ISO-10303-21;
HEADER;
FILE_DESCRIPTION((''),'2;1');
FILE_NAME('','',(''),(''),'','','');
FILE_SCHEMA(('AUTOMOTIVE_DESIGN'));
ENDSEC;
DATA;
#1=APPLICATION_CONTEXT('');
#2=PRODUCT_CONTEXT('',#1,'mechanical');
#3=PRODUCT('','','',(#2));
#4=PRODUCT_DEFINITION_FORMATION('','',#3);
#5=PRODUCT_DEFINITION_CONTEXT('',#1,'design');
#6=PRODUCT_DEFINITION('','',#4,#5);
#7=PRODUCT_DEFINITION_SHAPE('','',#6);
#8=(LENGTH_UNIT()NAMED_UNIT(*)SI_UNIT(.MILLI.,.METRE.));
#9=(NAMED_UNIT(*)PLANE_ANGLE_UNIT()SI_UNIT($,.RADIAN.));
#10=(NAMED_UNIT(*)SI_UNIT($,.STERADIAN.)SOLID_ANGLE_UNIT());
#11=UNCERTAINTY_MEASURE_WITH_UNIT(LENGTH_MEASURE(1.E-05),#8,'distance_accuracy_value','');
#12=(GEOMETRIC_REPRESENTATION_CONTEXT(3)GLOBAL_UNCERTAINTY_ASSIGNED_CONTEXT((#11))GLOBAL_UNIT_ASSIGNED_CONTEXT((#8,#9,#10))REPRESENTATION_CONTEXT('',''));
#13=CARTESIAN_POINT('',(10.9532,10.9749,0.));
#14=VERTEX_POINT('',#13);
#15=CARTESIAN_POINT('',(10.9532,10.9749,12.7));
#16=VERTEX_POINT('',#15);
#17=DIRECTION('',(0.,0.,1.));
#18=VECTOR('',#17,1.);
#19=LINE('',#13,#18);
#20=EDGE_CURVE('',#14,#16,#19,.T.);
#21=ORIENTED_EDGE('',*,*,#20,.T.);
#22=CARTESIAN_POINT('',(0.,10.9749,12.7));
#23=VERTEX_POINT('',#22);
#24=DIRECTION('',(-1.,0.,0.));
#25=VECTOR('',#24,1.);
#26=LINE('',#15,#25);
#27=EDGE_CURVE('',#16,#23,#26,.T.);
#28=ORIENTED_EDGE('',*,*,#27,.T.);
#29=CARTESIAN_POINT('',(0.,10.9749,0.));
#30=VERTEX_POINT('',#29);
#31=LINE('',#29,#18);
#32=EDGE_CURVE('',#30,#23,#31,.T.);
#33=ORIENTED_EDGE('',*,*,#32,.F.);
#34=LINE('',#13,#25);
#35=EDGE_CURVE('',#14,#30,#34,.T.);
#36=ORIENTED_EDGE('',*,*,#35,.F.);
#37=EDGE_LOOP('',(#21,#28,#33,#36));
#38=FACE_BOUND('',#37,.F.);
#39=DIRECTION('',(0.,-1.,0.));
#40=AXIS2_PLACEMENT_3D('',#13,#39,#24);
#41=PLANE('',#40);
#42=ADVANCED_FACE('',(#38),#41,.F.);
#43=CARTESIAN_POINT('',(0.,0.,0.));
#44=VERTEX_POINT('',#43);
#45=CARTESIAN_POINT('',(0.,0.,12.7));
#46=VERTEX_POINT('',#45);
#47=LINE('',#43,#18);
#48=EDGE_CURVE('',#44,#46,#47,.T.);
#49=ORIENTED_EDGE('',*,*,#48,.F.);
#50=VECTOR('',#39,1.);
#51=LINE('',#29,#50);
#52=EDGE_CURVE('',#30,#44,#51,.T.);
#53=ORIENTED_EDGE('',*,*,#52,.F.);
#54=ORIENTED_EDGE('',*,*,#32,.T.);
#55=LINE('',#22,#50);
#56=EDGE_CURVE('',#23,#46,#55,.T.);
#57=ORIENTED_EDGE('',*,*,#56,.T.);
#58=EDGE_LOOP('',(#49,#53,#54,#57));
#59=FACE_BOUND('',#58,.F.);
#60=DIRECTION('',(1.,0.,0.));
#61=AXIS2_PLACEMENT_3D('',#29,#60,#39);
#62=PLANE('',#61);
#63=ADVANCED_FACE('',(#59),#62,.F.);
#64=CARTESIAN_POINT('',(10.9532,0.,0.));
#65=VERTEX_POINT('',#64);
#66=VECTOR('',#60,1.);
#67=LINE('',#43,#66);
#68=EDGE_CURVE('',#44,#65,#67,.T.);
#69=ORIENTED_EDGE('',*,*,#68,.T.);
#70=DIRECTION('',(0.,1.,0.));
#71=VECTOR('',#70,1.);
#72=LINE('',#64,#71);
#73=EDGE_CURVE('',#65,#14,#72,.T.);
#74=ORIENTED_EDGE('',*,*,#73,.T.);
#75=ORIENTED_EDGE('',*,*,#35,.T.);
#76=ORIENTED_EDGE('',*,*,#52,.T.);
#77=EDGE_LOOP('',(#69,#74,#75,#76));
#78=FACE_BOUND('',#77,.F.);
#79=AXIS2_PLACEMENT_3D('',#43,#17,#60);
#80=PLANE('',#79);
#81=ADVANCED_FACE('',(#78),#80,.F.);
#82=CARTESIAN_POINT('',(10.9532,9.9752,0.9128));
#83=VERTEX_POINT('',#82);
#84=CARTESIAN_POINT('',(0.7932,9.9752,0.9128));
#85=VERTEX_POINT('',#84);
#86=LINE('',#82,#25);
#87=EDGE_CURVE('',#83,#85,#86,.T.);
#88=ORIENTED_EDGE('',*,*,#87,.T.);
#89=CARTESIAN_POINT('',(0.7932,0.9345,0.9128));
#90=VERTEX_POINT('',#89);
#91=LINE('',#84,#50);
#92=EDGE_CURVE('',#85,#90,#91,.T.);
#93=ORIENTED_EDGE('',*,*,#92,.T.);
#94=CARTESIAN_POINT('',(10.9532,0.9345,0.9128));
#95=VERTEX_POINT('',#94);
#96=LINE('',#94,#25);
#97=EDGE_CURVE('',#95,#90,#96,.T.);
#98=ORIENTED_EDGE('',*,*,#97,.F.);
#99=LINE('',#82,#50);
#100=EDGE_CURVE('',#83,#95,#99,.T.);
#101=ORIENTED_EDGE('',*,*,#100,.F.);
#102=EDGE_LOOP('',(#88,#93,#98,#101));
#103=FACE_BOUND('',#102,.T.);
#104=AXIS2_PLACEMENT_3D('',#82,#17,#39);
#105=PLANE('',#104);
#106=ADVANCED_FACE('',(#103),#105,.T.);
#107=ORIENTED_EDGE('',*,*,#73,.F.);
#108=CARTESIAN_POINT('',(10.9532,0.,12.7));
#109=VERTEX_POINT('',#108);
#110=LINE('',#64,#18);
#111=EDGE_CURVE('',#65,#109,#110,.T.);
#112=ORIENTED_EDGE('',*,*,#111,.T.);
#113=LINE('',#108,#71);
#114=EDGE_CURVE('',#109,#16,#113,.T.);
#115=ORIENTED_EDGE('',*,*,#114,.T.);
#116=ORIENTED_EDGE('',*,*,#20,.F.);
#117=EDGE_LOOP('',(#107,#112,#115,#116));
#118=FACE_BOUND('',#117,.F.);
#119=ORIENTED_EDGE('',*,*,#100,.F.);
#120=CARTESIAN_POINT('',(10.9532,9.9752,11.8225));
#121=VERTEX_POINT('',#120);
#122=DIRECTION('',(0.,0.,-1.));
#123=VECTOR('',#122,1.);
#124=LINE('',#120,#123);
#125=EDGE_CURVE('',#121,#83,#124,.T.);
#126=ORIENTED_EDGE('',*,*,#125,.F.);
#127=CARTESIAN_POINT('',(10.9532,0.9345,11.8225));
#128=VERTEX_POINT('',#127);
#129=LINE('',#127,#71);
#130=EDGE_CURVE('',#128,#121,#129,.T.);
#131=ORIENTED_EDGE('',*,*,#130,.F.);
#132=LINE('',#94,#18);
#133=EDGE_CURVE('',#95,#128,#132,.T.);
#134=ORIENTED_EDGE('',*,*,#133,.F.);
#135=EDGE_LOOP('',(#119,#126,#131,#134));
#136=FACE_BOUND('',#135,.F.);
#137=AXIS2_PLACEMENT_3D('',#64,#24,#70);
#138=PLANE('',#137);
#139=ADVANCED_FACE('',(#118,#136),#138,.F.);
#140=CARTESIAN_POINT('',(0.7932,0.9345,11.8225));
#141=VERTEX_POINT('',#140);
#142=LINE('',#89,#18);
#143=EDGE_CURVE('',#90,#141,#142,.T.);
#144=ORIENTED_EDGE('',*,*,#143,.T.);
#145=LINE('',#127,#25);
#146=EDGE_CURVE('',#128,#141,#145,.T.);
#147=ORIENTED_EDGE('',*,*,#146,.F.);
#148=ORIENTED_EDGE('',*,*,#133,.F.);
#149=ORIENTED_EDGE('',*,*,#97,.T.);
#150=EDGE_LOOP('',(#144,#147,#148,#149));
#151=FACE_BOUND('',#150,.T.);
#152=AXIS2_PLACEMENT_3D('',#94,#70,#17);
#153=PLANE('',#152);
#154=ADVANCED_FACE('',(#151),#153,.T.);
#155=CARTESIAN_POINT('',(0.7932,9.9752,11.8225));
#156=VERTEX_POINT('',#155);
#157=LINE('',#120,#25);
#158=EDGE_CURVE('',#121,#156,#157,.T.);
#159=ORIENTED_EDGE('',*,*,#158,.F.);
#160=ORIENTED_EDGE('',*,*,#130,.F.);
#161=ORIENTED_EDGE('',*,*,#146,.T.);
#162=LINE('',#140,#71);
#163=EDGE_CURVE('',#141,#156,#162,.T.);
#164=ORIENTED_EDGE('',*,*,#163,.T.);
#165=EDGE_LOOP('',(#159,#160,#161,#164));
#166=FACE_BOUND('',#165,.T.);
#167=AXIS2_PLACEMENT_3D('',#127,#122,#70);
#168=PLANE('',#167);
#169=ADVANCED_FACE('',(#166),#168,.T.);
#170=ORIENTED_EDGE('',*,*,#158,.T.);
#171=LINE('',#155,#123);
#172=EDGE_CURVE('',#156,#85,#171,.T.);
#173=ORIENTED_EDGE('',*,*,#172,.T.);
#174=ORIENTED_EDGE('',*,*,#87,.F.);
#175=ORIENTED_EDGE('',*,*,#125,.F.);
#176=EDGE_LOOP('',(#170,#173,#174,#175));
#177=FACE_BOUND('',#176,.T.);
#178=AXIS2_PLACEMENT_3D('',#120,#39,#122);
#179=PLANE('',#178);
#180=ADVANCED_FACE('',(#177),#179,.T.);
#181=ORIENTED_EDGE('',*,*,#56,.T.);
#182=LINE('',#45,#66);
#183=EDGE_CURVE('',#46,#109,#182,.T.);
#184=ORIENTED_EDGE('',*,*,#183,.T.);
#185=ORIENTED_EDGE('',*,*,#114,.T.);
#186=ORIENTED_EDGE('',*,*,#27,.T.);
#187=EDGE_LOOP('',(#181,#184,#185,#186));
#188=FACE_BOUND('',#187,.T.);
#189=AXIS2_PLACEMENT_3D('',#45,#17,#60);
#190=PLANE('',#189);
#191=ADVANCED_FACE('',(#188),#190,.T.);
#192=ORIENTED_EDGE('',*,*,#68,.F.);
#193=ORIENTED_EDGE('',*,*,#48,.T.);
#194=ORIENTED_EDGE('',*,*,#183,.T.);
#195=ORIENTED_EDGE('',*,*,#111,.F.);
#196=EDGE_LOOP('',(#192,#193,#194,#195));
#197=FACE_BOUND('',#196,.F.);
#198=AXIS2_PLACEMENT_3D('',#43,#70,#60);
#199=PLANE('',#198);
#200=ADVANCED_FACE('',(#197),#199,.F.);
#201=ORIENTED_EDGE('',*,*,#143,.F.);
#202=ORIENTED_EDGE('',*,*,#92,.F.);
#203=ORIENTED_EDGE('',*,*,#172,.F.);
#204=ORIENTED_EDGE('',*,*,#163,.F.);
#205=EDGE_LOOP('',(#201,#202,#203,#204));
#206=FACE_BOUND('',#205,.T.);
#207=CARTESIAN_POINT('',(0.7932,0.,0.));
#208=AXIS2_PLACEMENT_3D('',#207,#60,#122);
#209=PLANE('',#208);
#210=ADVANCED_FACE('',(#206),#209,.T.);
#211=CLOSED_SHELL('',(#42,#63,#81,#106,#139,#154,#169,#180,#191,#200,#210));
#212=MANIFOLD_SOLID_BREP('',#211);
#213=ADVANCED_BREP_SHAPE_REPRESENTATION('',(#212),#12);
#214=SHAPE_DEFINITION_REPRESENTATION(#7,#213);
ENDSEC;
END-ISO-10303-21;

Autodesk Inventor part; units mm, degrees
ref_plane "YZ Plane" through (0, 0, 0) normal (1, 0, 0) x (0, 1, 0)
ref_plane "XZ Plane" through (0, 0, 0) normal (0, 1, 0) x (-1, 0, 0)
ref_plane "XY Plane" through (0, 0, 0) normal (0, 0, 1) x (1, 0, 0)
sketch "Sketch1" plane through (0, 0, 0) normal (0, 0, 1) x (1, 0, 0)
  line L0 (0, 0) -> (10.9532, 0)
  line L1 (10.9532, 0) -> (10.9532, 10.9749)
  line L2 (10.9532, 10.9749) -> (0, 10.9749)
  line L3 (0, 10.9749) -> (0, 0)
extrude "Extrusion1" add sketch "Sketch1" along normal blind 12.7
sketch "Sketch2" plane through (10.9532, 0, 0) normal (1, 0, 0) x (0, 0, -1)
  line L0 (-11.8225, 9.9752) -> (-0.9128, 9.9752)
  line L1 (-0.9128, 9.9752) -> (-0.9128, 0.9345)
  line L2 (-0.9128, 0.9345) -> (-11.8225, 0.9345)
  line L3 (-11.8225, 0.9345) -> (-11.8225, 9.9752)
  point P0 (0, 0)
extrude "Extrusion2" cut sketch "Sketch2" against normal blind 10.16
properties part number "OUTER BODY-2"
